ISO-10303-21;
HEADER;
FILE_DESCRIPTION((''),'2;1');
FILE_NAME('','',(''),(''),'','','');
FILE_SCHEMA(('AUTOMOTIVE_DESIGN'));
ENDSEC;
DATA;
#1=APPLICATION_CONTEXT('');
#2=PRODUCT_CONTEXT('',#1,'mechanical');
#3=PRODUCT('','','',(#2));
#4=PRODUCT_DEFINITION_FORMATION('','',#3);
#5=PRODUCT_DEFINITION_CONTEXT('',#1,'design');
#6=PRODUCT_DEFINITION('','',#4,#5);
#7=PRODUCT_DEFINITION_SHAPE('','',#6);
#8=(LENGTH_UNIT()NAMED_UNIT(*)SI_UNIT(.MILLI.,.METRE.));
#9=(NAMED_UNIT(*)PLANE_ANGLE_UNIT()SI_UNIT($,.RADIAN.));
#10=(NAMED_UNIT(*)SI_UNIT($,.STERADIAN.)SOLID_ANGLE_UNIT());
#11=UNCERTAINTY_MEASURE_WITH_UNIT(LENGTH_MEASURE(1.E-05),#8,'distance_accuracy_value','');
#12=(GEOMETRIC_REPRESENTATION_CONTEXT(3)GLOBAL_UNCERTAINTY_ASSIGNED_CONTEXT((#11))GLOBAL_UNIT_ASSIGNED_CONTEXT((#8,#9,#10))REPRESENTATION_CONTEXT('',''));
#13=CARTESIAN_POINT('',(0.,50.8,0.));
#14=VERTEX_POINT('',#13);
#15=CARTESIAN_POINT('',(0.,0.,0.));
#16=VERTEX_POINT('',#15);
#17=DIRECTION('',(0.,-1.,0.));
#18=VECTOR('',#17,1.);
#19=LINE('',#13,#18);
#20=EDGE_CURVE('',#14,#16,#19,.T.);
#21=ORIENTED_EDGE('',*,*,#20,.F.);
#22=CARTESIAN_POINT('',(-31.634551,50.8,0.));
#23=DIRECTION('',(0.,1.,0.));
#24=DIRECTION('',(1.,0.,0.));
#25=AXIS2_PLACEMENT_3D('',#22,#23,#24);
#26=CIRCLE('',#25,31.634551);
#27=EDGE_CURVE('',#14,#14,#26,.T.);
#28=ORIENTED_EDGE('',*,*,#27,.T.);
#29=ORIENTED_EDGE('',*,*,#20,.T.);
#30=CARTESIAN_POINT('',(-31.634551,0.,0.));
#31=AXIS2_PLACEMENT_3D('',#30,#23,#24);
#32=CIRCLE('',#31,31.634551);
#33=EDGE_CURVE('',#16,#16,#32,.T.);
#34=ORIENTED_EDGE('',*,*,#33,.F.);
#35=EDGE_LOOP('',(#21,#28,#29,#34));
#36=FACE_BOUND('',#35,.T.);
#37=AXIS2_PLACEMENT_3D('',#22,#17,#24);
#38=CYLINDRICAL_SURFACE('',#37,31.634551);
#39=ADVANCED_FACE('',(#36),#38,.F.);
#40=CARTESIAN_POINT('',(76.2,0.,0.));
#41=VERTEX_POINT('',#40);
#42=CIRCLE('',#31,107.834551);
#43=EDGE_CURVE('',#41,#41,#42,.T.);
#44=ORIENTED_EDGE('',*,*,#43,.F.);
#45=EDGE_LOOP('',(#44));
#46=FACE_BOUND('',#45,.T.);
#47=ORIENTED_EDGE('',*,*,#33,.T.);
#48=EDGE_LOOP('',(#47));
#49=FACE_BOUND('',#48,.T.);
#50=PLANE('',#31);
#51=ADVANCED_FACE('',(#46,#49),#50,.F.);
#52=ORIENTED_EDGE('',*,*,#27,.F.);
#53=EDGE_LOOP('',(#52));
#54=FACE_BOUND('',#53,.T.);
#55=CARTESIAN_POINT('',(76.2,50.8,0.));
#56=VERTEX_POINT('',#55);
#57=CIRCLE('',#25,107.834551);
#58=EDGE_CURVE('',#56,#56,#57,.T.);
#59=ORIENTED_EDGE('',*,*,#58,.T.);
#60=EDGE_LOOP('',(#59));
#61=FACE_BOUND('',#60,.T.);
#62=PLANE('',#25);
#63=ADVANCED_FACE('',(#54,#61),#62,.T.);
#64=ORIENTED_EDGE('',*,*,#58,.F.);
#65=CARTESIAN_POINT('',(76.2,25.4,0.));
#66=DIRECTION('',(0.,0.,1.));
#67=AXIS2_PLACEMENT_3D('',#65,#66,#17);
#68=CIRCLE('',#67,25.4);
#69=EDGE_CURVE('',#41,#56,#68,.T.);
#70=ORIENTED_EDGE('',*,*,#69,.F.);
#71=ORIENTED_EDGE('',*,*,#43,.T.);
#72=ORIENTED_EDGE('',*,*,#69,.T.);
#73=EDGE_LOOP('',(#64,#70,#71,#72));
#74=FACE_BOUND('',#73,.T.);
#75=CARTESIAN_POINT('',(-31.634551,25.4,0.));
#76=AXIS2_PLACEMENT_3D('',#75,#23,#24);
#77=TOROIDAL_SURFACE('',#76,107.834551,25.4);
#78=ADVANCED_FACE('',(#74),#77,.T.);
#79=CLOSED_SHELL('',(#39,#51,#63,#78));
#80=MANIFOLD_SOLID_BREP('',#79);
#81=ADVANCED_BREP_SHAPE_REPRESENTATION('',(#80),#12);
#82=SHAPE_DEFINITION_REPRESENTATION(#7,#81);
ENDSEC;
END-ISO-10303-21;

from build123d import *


with BuildPart() as f1:
    # F0 (on Top) → F1 (revolve)
    with BuildSketch(Plane.XY):
        with BuildLine():
            Line((0, 50.8), (0, 0))
            Line((0, 0), (76.2, 0))
            ThreePointArc((76.2, 0), (101.6, 25.4), (76.2, 50.8))
            Line((76.2, 50.8), (0, 50.8))
        make_face()
    revolve(axis=Axis((-31.634551, 25.4, 0), (0, 1, 0)))


solid = f1.part
